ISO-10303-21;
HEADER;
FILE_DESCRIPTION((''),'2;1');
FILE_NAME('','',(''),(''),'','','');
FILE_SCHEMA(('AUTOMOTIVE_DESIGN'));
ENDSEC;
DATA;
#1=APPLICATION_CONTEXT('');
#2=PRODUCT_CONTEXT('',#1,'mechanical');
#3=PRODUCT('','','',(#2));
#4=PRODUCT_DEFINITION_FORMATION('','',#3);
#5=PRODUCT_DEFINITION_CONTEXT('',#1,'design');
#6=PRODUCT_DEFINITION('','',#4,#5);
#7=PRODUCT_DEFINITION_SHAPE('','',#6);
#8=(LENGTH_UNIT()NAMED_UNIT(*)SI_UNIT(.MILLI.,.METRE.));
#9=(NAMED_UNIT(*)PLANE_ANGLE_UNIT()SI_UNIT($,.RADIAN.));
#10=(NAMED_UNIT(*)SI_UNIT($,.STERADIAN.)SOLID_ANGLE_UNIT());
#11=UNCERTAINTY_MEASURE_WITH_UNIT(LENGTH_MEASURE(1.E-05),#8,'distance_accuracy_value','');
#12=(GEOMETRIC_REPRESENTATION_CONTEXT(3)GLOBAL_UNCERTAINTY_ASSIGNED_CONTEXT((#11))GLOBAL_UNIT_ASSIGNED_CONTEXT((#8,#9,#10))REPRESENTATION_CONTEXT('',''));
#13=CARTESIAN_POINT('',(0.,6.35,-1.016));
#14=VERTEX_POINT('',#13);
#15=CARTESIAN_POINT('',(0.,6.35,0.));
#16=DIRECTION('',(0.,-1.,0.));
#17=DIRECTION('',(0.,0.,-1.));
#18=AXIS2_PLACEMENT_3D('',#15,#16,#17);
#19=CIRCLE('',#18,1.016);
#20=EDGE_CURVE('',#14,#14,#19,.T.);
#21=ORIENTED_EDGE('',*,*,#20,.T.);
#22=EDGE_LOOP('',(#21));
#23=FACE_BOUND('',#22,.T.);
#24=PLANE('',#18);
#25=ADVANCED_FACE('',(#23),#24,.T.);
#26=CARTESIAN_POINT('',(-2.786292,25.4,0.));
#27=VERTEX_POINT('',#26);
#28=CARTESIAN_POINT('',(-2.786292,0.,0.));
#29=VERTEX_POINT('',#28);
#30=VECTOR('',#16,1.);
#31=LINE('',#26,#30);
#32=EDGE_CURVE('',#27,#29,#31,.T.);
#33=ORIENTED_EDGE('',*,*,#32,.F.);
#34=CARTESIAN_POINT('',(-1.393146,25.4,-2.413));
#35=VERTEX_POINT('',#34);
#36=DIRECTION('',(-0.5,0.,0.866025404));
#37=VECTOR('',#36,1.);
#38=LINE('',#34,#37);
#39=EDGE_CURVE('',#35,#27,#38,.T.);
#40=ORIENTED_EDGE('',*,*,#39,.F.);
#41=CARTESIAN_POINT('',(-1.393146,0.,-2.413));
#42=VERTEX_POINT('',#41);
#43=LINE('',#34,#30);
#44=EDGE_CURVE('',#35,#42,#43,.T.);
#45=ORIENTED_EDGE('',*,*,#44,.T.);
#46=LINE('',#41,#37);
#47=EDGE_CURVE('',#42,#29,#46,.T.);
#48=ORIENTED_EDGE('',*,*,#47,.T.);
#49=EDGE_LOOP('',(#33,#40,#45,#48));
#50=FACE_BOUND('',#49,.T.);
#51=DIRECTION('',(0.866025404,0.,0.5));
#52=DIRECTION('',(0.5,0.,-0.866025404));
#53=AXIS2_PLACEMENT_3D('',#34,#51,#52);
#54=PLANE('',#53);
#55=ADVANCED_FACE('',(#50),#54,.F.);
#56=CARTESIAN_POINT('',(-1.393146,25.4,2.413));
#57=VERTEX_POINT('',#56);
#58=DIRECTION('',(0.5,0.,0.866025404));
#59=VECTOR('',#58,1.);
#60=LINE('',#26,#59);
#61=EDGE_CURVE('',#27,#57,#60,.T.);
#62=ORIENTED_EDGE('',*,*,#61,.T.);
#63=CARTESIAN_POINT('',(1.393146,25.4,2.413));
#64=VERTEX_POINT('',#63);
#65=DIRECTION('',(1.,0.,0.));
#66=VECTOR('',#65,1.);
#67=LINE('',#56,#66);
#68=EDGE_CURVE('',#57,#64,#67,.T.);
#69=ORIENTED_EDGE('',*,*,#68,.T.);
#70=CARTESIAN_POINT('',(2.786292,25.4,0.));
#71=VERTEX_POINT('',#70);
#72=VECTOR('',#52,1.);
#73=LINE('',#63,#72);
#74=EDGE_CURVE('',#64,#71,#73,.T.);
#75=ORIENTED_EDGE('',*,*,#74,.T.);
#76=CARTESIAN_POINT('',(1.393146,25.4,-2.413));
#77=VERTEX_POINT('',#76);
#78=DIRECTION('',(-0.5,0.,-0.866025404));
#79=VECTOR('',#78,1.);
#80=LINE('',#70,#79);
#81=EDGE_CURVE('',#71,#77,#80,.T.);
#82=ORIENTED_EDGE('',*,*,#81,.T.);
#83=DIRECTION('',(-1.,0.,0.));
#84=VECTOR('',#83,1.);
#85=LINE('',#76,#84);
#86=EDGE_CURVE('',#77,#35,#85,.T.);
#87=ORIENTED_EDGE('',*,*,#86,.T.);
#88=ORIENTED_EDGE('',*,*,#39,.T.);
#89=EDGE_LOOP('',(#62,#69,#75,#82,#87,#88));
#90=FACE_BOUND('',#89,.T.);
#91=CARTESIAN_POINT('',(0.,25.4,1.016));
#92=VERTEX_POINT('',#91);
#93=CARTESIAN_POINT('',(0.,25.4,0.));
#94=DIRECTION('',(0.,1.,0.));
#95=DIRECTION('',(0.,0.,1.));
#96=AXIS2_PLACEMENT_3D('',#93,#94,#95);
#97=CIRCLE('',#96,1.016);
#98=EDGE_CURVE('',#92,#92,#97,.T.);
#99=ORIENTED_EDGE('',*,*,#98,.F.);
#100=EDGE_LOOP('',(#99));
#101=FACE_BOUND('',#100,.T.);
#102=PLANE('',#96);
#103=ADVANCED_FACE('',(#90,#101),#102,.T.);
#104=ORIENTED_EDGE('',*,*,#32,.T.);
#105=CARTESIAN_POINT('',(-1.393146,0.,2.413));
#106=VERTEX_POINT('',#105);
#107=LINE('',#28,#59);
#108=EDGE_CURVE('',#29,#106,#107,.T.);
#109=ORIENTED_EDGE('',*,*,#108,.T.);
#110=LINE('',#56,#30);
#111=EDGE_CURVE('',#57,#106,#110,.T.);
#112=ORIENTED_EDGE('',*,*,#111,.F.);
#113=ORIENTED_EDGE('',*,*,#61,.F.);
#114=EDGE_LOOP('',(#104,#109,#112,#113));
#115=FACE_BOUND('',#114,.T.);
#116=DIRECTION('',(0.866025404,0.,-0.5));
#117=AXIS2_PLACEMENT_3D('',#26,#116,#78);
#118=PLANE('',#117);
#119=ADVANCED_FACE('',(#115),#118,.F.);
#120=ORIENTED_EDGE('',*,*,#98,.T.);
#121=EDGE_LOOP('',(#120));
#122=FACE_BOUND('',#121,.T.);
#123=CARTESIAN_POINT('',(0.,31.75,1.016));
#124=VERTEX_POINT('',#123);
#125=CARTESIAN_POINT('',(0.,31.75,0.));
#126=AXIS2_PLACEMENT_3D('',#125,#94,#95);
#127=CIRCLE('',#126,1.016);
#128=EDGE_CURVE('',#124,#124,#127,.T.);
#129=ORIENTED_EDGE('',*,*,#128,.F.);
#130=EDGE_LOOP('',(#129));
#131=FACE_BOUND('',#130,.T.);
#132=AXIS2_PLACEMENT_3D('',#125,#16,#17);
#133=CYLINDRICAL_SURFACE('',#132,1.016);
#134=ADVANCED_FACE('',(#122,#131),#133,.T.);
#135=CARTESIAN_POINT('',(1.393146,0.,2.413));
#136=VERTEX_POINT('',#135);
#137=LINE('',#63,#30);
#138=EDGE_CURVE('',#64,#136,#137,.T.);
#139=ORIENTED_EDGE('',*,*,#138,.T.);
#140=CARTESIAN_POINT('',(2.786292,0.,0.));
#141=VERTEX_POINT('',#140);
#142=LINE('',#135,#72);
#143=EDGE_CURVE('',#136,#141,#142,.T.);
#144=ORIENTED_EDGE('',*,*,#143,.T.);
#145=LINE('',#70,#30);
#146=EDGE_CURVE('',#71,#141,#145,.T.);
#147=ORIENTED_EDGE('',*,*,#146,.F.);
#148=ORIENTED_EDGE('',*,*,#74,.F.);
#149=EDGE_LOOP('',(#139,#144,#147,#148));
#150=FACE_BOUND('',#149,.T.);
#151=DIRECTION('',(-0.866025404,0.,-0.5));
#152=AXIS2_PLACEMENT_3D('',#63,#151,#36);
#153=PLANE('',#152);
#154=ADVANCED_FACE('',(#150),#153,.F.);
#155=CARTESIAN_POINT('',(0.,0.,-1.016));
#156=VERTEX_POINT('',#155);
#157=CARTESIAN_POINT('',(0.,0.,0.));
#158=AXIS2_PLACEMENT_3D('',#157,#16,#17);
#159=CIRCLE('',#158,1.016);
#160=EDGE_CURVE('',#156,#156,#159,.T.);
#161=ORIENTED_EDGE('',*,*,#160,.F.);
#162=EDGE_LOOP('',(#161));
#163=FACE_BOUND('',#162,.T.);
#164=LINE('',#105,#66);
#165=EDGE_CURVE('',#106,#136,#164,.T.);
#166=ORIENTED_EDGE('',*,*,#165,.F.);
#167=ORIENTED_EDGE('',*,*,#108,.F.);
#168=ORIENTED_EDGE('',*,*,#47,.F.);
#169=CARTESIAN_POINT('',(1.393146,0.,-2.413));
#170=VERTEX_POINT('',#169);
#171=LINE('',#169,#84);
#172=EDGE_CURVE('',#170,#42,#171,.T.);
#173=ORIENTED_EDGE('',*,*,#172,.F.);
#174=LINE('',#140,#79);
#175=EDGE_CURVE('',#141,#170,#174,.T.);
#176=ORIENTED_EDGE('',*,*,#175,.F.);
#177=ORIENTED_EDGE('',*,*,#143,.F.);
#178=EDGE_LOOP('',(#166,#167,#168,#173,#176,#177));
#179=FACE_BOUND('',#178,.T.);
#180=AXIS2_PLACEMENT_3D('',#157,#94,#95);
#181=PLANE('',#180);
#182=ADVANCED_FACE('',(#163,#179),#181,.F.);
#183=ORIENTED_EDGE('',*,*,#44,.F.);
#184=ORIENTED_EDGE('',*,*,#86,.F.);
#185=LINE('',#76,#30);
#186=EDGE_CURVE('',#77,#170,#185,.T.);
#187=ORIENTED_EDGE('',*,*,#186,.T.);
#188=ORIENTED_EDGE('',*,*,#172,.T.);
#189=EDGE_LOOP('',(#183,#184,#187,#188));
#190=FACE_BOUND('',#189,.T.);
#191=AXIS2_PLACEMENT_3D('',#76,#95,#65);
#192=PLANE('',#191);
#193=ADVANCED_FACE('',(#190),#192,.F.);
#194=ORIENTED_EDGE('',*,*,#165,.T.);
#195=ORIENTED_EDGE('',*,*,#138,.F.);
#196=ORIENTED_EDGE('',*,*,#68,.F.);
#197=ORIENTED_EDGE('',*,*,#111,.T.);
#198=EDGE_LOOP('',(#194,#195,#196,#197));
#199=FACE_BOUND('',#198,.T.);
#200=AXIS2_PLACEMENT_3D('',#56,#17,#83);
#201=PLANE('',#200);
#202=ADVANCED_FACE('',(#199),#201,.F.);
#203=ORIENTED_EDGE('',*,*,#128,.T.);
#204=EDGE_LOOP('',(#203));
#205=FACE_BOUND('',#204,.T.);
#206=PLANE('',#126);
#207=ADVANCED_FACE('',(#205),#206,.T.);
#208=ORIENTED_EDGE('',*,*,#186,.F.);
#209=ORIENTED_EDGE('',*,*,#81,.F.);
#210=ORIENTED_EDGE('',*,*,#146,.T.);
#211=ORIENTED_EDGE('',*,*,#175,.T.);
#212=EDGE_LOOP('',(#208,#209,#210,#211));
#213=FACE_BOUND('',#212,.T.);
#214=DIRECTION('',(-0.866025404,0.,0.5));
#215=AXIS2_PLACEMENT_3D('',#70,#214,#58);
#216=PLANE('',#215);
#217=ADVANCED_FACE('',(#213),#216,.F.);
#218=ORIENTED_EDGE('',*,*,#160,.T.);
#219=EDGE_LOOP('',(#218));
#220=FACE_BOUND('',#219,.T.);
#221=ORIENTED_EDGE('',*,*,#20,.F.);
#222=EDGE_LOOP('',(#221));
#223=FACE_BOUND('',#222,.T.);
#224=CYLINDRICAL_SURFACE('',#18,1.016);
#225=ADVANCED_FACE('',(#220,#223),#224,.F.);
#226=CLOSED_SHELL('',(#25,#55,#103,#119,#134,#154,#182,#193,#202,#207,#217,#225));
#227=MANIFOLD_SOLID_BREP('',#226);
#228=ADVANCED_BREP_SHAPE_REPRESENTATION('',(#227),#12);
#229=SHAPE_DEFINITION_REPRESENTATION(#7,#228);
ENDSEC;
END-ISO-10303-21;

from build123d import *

# Parameters (mm, degrees)
BOSS_EXTRUDE1_DEPTH = 25.4
SKETCH2_R           = 1.016
BOSS_EXTRUDE2_DEPTH = 6.35
SKETCH3_R           = 1.016
CUT_EXTRUDE1_DEPTH  = 6.35


with BuildPart() as part:
    # Sketch1 → Boss-Extrude1 (new body)
    with BuildSketch(Plane(origin=(0, 0, 0), x_dir=(1, 0, 0), z_dir=(0, 1, 0))):
        Polygon((1.3931462, -2.413), (2.786292399, 0), (1.3931462, 2.413), (-1.3931462, 2.413), (-2.786292399, 0), (-1.3931462, -2.413), align=None)
    extrude(amount=BOSS_EXTRUDE1_DEPTH)

    # Sketch2 → Boss-Extrude2 (add)
    with BuildSketch(Plane(origin=(0, 25.4, 0), x_dir=(1, 0, 0), z_dir=(0, 1, 0))):
        Circle(SKETCH2_R)
    extrude(amount=BOSS_EXTRUDE2_DEPTH)

    # Sketch3 → Cut-Extrude1 (cut)
    with BuildSketch(Plane.XZ):
        Circle(SKETCH3_R)
    extrude(amount=-CUT_EXTRUDE1_DEPTH, mode=Mode.SUBTRACT)


solid = part.part
